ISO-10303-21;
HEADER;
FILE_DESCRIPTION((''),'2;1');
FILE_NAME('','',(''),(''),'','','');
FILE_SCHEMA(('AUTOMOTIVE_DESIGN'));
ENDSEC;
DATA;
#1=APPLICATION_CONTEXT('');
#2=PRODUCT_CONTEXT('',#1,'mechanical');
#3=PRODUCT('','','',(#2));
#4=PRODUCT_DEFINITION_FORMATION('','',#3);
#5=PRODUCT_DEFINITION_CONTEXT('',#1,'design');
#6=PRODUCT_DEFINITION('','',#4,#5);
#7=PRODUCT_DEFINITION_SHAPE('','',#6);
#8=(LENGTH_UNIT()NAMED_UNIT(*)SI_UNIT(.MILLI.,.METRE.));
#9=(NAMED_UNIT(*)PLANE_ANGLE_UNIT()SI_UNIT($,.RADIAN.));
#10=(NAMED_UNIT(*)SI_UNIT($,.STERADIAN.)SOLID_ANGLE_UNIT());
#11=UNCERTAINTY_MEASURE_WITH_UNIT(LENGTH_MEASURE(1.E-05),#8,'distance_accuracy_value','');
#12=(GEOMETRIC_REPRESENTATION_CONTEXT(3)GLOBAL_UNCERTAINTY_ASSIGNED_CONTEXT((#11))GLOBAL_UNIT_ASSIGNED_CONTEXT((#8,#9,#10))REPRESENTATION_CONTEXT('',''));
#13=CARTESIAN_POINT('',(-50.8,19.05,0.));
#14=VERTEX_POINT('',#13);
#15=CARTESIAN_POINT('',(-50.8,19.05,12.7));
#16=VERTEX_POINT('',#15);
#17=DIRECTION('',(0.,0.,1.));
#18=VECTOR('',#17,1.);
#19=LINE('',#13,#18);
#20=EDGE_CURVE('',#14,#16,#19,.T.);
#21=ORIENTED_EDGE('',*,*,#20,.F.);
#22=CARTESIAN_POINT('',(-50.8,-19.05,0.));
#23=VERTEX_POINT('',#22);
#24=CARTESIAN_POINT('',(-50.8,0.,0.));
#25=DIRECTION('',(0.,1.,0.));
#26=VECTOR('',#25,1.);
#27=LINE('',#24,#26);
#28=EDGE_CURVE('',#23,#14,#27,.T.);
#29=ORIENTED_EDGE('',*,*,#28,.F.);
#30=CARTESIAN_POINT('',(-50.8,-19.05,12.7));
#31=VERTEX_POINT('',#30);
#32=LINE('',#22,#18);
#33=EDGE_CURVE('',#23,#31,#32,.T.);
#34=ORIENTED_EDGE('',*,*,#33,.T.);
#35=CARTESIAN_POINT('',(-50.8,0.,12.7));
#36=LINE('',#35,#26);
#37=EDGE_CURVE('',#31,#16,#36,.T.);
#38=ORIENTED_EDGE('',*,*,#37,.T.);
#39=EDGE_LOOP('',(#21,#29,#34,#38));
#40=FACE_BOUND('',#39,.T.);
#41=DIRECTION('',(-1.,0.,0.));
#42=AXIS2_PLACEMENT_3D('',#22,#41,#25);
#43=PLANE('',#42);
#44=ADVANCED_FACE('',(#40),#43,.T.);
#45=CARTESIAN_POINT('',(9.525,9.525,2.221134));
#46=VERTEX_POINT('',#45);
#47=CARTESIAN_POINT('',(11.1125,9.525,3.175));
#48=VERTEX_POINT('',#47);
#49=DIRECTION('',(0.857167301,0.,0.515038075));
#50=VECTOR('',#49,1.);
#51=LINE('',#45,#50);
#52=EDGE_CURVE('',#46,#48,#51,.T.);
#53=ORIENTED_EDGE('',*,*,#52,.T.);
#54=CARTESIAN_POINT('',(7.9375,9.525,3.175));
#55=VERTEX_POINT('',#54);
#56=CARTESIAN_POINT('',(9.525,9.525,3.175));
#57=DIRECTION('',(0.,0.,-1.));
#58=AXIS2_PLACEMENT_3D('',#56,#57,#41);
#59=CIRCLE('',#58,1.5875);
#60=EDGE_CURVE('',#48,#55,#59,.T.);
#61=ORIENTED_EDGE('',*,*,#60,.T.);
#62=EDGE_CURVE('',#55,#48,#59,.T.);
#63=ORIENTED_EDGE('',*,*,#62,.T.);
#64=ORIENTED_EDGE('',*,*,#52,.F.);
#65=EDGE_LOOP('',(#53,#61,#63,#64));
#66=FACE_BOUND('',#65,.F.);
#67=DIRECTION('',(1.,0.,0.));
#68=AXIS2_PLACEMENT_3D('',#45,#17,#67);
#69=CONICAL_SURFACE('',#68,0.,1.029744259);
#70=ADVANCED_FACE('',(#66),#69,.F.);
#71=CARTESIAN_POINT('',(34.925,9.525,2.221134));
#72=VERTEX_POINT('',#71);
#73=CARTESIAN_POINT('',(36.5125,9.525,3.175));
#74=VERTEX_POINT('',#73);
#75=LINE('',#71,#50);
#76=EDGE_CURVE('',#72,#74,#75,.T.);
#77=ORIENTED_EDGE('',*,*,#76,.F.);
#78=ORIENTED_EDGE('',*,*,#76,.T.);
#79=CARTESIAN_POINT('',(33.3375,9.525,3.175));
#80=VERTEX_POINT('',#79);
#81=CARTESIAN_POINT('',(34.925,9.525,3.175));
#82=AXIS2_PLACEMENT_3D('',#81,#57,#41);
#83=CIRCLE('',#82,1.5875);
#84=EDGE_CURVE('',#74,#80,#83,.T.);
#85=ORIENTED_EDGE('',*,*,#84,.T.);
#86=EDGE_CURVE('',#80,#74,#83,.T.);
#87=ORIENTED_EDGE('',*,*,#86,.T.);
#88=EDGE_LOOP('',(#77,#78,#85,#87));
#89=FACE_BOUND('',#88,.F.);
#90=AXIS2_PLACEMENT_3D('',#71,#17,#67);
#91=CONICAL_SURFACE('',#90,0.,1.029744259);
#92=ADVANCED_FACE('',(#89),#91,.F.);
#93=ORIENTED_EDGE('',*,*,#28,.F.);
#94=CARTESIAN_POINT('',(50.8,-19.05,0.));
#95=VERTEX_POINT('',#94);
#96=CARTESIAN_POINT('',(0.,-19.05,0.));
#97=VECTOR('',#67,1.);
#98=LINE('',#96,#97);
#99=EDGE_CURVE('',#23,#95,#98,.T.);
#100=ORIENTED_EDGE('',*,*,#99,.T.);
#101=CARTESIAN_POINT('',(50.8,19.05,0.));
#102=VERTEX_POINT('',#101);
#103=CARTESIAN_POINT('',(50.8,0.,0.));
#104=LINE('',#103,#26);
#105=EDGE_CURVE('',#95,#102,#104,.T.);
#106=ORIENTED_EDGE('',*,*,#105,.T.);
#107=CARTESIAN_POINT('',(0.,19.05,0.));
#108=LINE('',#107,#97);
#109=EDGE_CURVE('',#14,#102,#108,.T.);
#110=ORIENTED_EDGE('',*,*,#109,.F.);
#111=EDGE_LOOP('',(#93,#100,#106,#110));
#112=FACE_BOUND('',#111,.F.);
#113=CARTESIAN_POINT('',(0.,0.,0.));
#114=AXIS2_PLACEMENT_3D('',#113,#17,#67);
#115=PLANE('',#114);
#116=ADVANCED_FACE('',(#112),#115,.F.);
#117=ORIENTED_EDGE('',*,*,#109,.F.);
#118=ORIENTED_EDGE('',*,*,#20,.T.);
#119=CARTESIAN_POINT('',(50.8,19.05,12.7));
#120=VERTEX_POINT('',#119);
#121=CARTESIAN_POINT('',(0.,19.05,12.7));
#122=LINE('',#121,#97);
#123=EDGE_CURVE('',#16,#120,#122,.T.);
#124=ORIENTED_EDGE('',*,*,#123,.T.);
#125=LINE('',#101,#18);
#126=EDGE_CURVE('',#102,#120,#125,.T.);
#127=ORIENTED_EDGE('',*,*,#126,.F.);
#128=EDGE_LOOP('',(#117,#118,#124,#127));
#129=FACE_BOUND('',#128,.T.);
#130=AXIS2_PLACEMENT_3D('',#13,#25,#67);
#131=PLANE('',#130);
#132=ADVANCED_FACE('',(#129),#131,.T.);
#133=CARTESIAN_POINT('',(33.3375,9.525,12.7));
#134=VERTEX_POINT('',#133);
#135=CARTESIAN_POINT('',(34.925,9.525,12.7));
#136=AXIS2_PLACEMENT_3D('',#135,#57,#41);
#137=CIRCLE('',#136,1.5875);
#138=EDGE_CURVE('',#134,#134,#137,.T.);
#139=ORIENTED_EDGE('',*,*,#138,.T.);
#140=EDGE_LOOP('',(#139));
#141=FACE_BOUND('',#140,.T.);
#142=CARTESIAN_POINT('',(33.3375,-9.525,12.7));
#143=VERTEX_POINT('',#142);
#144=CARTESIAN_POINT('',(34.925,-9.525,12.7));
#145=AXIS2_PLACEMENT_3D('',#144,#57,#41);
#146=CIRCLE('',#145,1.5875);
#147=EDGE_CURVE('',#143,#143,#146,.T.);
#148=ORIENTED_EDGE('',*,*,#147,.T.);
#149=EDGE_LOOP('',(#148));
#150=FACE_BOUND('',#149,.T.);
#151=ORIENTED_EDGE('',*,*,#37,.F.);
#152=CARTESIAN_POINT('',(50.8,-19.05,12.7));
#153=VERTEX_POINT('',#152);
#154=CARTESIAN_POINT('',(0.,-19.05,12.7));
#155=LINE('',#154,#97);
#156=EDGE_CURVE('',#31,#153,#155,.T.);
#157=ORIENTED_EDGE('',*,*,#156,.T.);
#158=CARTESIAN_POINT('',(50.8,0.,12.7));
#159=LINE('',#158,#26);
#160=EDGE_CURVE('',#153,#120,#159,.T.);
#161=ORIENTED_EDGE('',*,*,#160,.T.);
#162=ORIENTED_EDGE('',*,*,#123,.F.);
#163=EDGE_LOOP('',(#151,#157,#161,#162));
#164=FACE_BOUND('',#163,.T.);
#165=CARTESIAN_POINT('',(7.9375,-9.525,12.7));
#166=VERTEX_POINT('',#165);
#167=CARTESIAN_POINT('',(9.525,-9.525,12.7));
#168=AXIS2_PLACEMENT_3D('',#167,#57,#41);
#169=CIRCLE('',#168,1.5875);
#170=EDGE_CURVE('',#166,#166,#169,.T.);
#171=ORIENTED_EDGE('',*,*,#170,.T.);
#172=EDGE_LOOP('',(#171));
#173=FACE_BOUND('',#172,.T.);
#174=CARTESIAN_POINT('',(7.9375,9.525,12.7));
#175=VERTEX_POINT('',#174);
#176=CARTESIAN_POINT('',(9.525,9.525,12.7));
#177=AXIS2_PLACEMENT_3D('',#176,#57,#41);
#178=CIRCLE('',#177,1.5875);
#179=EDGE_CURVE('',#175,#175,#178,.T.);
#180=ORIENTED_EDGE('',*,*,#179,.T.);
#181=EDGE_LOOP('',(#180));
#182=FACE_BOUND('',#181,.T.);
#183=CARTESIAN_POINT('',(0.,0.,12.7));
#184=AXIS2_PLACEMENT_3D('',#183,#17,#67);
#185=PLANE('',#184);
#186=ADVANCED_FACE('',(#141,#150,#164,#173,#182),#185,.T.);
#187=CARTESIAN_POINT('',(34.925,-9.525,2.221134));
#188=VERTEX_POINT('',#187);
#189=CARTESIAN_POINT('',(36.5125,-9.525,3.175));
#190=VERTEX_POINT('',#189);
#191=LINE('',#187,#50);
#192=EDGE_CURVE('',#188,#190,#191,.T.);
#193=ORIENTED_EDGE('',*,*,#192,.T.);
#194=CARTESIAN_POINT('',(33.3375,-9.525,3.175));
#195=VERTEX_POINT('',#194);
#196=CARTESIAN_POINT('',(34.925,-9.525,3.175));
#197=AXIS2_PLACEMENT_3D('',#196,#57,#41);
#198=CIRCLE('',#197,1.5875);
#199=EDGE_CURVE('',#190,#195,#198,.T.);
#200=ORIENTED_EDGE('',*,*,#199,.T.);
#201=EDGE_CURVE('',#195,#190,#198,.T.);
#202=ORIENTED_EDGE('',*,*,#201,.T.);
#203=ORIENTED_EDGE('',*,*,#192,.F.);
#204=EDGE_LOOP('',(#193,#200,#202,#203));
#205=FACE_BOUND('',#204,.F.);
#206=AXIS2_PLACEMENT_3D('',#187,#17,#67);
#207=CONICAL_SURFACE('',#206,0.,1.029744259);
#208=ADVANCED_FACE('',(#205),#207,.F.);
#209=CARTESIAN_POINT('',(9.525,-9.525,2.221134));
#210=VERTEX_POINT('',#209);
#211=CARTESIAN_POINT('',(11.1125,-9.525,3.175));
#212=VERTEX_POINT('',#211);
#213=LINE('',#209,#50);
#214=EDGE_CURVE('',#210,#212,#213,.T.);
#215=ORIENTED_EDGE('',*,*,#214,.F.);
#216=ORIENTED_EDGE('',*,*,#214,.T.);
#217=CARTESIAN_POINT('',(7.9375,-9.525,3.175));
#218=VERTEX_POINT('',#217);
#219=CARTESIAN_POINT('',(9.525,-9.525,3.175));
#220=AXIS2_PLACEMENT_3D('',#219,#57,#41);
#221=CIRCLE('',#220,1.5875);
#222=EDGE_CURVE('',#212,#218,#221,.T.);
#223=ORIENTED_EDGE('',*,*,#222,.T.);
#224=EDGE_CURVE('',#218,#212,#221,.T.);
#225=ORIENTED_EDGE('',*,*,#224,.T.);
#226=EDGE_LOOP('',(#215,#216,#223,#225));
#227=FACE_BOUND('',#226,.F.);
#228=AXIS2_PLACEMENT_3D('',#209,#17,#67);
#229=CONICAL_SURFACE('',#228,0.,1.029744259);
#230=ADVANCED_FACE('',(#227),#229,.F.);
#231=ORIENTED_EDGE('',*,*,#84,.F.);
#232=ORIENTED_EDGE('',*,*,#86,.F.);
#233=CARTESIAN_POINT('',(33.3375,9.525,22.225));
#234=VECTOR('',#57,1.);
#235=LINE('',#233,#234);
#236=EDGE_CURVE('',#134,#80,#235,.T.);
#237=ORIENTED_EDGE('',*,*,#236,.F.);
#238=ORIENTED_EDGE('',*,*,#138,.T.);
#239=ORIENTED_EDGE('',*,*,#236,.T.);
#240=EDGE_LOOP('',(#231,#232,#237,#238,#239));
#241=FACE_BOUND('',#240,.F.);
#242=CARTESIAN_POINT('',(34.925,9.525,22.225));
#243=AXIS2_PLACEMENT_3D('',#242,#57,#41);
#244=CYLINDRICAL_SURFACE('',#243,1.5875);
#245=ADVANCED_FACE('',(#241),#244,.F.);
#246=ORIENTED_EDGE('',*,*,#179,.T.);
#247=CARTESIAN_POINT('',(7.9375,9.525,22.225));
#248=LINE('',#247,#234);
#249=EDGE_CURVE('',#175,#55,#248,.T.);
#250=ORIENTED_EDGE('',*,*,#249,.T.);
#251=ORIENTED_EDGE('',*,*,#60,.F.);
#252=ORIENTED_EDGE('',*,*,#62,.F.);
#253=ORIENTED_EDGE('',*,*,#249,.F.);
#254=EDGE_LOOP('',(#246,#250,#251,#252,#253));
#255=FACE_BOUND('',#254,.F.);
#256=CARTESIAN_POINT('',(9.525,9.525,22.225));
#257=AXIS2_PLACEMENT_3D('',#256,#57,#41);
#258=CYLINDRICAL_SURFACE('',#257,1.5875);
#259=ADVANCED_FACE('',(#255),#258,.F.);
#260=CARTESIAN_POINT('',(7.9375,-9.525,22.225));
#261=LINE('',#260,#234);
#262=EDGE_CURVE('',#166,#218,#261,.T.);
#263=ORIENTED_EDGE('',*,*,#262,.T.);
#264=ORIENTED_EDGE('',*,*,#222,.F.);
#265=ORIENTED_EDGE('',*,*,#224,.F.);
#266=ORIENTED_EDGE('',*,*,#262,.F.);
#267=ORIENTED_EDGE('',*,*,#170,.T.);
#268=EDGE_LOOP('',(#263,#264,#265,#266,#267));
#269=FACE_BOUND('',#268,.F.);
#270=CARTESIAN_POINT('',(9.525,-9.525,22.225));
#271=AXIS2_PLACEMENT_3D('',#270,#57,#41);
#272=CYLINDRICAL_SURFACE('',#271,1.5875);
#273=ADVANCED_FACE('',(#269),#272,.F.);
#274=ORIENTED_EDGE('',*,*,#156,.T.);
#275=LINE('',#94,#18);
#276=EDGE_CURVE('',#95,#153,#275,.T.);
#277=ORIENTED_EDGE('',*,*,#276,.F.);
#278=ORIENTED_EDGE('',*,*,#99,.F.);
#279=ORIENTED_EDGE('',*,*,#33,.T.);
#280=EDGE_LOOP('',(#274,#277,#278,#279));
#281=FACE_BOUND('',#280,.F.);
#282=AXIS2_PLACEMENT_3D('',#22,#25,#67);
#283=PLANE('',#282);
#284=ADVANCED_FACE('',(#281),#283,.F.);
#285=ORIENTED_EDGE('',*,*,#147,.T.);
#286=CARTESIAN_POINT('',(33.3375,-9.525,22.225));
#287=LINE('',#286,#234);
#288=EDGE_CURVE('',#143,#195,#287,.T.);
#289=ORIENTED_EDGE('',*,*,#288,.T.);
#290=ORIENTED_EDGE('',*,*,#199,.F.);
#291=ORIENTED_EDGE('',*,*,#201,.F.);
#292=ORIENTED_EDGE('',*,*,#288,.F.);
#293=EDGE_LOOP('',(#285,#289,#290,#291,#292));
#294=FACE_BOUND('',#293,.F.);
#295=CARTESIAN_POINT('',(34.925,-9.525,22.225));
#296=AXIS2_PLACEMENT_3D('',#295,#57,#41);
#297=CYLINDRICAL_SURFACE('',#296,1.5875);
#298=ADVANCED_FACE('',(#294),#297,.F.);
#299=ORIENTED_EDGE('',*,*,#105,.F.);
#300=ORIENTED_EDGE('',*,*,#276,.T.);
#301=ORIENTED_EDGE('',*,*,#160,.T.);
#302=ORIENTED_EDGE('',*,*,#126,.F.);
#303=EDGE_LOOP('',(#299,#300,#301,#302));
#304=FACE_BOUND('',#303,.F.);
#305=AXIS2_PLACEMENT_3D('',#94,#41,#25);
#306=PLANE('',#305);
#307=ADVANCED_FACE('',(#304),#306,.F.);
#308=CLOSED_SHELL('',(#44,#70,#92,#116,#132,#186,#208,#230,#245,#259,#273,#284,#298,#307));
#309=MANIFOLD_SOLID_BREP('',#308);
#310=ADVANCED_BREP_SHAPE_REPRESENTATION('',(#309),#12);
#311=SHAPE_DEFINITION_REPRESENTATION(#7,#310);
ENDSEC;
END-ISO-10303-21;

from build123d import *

# Parameters (mm, degrees)
F0_W     = 101.6
F0_H     = 38.1
F1_DEPTH = 12.7
F3_D     = 3.175
F3_DEPTH = 9.525
F3_TIP   = 0.9538662327


with BuildPart() as f1:
    # F0 (on Top) → F1 (new body)
    with BuildSketch(Plane.XY):
        Rectangle(F0_W, F0_H)
    extrude(amount=F1_DEPTH)

    # F3
    with Locations(Plane.XY.offset(12.7)):
        with Locations((9.525, 9.525), (34.925, 9.525), (34.925, -9.525), (9.525, -9.525)):
            Hole(F3_D / 2, depth=F3_DEPTH)
            with Locations((0, 0, -(F3_DEPTH + F3_TIP / 2))):  # 118° drill point
                Cone(0, F3_D / 2, F3_TIP, mode=Mode.SUBTRACT)


solid = f1.part
